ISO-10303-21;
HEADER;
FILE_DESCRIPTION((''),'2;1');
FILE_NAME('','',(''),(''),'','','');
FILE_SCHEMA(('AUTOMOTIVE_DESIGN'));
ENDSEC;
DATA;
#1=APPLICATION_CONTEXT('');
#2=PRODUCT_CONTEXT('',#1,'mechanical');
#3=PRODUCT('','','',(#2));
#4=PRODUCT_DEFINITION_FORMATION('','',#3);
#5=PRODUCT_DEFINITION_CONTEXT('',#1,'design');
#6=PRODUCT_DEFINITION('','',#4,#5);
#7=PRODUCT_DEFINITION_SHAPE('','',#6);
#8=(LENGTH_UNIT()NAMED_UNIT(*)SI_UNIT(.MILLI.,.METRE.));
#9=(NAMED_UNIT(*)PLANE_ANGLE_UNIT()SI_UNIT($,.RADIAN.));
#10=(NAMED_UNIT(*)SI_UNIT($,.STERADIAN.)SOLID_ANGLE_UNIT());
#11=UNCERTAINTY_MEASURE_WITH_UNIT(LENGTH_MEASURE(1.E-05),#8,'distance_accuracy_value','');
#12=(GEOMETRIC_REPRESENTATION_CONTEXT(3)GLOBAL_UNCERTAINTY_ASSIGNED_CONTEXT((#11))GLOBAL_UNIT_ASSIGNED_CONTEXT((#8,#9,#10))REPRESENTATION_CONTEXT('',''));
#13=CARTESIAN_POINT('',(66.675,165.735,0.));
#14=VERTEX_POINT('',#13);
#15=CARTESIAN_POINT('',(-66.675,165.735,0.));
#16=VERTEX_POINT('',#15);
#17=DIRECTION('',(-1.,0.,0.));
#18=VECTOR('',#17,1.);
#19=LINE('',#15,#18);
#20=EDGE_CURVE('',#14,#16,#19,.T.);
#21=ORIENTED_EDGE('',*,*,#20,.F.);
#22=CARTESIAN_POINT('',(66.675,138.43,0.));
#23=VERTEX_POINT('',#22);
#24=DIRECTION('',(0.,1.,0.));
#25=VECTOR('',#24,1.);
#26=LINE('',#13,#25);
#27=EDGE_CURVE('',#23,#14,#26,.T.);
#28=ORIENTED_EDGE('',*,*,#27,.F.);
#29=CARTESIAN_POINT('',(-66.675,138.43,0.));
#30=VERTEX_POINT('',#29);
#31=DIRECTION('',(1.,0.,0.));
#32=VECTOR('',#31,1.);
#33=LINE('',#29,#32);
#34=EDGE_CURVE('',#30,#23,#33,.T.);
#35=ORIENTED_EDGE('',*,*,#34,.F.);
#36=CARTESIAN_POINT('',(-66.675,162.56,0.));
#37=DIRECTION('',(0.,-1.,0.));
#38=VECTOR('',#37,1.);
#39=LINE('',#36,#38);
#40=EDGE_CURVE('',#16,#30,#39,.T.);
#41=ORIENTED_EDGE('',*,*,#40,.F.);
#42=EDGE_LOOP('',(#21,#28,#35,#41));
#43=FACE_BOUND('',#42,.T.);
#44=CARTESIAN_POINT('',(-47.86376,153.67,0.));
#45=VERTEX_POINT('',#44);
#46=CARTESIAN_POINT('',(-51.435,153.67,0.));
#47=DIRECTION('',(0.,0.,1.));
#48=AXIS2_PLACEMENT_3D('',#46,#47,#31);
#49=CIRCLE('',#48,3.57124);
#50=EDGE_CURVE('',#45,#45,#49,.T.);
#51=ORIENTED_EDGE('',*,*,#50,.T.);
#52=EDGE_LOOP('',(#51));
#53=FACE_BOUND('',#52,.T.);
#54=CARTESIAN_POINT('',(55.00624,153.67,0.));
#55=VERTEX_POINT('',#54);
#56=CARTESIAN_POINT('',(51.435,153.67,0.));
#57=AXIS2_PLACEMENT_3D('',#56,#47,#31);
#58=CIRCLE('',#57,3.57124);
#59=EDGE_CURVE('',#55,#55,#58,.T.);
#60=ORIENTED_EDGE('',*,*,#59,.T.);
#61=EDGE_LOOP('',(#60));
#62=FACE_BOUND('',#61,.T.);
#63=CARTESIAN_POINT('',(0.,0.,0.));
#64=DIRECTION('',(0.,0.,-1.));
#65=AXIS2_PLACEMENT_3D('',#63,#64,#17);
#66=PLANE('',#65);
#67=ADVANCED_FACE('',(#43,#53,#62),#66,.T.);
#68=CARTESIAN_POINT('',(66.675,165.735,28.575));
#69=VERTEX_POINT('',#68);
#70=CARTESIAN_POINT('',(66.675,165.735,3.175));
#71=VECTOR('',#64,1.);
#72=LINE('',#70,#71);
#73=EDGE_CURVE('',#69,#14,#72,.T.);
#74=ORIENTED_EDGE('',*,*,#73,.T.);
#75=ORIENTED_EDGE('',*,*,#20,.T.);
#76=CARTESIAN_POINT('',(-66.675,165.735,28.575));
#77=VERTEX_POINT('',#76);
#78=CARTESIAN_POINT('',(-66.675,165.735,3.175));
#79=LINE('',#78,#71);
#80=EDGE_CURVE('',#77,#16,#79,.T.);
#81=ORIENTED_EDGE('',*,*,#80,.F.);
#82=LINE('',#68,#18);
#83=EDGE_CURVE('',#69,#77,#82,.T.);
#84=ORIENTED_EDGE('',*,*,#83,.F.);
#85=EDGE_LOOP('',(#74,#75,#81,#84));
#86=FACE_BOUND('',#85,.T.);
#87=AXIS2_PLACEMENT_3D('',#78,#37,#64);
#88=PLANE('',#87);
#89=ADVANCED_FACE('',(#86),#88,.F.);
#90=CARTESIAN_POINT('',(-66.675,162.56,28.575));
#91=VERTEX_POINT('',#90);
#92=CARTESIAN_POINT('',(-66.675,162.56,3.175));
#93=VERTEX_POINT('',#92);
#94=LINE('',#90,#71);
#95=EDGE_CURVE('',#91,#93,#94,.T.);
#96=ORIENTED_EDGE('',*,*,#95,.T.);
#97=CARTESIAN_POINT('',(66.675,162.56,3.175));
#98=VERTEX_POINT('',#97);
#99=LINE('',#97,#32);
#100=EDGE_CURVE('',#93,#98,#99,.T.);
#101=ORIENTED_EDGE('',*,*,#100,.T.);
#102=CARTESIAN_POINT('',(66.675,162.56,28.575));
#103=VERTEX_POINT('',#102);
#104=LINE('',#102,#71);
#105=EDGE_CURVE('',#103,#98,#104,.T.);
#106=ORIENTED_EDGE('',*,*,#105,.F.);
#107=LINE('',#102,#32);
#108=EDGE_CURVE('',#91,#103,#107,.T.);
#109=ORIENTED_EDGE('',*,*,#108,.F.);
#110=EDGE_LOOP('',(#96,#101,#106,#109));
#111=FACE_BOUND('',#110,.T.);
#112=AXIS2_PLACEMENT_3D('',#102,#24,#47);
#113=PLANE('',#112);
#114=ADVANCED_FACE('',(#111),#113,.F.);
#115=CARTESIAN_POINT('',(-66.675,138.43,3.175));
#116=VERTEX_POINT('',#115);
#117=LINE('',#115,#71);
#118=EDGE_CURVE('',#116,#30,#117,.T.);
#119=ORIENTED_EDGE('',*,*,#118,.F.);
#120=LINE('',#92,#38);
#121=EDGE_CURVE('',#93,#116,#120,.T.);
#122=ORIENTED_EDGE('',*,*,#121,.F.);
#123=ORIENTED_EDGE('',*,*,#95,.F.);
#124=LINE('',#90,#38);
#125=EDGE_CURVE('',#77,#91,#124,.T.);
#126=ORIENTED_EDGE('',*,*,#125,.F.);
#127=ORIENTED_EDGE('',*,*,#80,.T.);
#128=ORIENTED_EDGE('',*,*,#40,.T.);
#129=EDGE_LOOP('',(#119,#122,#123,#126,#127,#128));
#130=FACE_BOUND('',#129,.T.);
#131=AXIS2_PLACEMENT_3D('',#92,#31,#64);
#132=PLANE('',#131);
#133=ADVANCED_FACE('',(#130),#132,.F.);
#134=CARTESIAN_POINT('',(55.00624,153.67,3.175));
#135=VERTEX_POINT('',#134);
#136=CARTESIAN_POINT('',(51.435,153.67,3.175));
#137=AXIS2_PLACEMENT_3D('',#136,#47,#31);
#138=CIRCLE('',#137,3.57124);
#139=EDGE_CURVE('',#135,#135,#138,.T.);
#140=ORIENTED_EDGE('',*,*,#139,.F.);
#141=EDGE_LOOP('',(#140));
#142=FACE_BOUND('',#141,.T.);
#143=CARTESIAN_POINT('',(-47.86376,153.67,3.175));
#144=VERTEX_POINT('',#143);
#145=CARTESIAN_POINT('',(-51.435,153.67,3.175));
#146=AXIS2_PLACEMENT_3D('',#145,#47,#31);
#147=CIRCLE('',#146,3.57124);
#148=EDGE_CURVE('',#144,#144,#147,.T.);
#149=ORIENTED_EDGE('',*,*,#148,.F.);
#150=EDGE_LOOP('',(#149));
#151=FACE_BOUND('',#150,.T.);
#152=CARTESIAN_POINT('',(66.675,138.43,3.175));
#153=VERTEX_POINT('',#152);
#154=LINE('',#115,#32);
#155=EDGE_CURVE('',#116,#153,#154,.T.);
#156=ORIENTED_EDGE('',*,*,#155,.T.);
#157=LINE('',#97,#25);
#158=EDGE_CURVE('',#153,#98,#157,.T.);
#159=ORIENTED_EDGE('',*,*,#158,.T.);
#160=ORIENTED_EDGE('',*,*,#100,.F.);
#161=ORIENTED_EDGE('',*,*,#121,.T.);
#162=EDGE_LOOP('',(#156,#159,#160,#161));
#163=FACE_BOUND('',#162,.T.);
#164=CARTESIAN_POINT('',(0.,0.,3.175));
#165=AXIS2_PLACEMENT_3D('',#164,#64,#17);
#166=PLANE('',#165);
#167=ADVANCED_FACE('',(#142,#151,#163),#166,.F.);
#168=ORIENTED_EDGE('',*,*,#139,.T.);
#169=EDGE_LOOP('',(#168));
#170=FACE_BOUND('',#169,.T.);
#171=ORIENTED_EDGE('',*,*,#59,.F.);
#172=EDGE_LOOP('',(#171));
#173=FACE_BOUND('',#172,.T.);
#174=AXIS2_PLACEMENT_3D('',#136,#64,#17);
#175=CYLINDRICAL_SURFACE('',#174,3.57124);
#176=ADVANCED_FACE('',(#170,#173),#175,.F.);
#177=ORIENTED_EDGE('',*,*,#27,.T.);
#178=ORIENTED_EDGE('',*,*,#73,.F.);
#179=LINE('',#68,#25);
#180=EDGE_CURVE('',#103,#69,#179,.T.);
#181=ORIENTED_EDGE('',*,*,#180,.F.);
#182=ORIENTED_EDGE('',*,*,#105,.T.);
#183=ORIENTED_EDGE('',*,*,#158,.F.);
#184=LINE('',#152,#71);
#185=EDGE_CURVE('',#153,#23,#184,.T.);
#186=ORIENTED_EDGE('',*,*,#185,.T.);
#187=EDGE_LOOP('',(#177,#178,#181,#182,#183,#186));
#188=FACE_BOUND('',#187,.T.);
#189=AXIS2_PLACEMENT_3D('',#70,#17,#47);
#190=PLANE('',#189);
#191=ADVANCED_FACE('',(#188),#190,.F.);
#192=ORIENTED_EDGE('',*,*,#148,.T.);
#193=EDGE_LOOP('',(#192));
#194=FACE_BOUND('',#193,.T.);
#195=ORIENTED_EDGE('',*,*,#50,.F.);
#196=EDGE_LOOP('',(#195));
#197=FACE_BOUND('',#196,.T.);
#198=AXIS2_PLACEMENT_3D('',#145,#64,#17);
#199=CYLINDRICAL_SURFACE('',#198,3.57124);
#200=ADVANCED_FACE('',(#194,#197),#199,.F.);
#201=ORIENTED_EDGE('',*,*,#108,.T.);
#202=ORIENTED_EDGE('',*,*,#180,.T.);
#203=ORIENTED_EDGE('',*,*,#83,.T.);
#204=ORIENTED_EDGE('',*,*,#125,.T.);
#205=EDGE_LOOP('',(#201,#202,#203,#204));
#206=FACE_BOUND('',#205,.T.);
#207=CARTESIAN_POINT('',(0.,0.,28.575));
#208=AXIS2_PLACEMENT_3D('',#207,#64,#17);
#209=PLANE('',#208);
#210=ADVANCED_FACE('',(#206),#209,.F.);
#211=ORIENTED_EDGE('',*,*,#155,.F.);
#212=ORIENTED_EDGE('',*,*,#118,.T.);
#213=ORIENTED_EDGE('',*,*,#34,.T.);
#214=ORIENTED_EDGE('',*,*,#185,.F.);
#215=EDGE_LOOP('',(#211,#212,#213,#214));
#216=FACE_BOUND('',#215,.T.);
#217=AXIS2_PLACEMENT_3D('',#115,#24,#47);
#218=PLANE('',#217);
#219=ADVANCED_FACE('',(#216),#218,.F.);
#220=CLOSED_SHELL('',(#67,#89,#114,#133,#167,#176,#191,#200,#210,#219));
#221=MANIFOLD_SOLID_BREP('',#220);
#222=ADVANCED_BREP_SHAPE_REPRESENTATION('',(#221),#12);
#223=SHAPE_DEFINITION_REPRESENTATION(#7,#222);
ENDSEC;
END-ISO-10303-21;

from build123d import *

# Parameters (mm, degrees)
SKETCH1_R           = 3.57124
BOSS_EXTRUDE1_DEPTH = 3.175
SKETCH2_W           = 133.35
SKETCH2_H           = 3.175
BOSS_EXTRUDE2_DEPTH = 25.4


with BuildPart() as part:
    # Sketch1 → Boss-Extrude1 (new body)
    with BuildSketch(Plane.XY):
        Polygon((-66.675, 162.56), (-66.675, 138.43), (66.675, 138.43), (66.675, 162.56), (66.675, 165.735), (-66.675, 165.735), align=None)
        with Locations((51.435, 153.67)):
            Circle(SKETCH1_R, mode=Mode.SUBTRACT)
        with Locations((-51.435, 153.67)):
            Circle(SKETCH1_R, mode=Mode.SUBTRACT)
    extrude(amount=BOSS_EXTRUDE1_DEPTH)

    # Sketch2 → Boss-Extrude2 (add)
    with BuildSketch(Plane.XY.offset(3.175)):
        with Locations((0, 164.1475)):
            Rectangle(SKETCH2_W, SKETCH2_H)
    extrude(amount=BOSS_EXTRUDE2_DEPTH)


solid = part.part
